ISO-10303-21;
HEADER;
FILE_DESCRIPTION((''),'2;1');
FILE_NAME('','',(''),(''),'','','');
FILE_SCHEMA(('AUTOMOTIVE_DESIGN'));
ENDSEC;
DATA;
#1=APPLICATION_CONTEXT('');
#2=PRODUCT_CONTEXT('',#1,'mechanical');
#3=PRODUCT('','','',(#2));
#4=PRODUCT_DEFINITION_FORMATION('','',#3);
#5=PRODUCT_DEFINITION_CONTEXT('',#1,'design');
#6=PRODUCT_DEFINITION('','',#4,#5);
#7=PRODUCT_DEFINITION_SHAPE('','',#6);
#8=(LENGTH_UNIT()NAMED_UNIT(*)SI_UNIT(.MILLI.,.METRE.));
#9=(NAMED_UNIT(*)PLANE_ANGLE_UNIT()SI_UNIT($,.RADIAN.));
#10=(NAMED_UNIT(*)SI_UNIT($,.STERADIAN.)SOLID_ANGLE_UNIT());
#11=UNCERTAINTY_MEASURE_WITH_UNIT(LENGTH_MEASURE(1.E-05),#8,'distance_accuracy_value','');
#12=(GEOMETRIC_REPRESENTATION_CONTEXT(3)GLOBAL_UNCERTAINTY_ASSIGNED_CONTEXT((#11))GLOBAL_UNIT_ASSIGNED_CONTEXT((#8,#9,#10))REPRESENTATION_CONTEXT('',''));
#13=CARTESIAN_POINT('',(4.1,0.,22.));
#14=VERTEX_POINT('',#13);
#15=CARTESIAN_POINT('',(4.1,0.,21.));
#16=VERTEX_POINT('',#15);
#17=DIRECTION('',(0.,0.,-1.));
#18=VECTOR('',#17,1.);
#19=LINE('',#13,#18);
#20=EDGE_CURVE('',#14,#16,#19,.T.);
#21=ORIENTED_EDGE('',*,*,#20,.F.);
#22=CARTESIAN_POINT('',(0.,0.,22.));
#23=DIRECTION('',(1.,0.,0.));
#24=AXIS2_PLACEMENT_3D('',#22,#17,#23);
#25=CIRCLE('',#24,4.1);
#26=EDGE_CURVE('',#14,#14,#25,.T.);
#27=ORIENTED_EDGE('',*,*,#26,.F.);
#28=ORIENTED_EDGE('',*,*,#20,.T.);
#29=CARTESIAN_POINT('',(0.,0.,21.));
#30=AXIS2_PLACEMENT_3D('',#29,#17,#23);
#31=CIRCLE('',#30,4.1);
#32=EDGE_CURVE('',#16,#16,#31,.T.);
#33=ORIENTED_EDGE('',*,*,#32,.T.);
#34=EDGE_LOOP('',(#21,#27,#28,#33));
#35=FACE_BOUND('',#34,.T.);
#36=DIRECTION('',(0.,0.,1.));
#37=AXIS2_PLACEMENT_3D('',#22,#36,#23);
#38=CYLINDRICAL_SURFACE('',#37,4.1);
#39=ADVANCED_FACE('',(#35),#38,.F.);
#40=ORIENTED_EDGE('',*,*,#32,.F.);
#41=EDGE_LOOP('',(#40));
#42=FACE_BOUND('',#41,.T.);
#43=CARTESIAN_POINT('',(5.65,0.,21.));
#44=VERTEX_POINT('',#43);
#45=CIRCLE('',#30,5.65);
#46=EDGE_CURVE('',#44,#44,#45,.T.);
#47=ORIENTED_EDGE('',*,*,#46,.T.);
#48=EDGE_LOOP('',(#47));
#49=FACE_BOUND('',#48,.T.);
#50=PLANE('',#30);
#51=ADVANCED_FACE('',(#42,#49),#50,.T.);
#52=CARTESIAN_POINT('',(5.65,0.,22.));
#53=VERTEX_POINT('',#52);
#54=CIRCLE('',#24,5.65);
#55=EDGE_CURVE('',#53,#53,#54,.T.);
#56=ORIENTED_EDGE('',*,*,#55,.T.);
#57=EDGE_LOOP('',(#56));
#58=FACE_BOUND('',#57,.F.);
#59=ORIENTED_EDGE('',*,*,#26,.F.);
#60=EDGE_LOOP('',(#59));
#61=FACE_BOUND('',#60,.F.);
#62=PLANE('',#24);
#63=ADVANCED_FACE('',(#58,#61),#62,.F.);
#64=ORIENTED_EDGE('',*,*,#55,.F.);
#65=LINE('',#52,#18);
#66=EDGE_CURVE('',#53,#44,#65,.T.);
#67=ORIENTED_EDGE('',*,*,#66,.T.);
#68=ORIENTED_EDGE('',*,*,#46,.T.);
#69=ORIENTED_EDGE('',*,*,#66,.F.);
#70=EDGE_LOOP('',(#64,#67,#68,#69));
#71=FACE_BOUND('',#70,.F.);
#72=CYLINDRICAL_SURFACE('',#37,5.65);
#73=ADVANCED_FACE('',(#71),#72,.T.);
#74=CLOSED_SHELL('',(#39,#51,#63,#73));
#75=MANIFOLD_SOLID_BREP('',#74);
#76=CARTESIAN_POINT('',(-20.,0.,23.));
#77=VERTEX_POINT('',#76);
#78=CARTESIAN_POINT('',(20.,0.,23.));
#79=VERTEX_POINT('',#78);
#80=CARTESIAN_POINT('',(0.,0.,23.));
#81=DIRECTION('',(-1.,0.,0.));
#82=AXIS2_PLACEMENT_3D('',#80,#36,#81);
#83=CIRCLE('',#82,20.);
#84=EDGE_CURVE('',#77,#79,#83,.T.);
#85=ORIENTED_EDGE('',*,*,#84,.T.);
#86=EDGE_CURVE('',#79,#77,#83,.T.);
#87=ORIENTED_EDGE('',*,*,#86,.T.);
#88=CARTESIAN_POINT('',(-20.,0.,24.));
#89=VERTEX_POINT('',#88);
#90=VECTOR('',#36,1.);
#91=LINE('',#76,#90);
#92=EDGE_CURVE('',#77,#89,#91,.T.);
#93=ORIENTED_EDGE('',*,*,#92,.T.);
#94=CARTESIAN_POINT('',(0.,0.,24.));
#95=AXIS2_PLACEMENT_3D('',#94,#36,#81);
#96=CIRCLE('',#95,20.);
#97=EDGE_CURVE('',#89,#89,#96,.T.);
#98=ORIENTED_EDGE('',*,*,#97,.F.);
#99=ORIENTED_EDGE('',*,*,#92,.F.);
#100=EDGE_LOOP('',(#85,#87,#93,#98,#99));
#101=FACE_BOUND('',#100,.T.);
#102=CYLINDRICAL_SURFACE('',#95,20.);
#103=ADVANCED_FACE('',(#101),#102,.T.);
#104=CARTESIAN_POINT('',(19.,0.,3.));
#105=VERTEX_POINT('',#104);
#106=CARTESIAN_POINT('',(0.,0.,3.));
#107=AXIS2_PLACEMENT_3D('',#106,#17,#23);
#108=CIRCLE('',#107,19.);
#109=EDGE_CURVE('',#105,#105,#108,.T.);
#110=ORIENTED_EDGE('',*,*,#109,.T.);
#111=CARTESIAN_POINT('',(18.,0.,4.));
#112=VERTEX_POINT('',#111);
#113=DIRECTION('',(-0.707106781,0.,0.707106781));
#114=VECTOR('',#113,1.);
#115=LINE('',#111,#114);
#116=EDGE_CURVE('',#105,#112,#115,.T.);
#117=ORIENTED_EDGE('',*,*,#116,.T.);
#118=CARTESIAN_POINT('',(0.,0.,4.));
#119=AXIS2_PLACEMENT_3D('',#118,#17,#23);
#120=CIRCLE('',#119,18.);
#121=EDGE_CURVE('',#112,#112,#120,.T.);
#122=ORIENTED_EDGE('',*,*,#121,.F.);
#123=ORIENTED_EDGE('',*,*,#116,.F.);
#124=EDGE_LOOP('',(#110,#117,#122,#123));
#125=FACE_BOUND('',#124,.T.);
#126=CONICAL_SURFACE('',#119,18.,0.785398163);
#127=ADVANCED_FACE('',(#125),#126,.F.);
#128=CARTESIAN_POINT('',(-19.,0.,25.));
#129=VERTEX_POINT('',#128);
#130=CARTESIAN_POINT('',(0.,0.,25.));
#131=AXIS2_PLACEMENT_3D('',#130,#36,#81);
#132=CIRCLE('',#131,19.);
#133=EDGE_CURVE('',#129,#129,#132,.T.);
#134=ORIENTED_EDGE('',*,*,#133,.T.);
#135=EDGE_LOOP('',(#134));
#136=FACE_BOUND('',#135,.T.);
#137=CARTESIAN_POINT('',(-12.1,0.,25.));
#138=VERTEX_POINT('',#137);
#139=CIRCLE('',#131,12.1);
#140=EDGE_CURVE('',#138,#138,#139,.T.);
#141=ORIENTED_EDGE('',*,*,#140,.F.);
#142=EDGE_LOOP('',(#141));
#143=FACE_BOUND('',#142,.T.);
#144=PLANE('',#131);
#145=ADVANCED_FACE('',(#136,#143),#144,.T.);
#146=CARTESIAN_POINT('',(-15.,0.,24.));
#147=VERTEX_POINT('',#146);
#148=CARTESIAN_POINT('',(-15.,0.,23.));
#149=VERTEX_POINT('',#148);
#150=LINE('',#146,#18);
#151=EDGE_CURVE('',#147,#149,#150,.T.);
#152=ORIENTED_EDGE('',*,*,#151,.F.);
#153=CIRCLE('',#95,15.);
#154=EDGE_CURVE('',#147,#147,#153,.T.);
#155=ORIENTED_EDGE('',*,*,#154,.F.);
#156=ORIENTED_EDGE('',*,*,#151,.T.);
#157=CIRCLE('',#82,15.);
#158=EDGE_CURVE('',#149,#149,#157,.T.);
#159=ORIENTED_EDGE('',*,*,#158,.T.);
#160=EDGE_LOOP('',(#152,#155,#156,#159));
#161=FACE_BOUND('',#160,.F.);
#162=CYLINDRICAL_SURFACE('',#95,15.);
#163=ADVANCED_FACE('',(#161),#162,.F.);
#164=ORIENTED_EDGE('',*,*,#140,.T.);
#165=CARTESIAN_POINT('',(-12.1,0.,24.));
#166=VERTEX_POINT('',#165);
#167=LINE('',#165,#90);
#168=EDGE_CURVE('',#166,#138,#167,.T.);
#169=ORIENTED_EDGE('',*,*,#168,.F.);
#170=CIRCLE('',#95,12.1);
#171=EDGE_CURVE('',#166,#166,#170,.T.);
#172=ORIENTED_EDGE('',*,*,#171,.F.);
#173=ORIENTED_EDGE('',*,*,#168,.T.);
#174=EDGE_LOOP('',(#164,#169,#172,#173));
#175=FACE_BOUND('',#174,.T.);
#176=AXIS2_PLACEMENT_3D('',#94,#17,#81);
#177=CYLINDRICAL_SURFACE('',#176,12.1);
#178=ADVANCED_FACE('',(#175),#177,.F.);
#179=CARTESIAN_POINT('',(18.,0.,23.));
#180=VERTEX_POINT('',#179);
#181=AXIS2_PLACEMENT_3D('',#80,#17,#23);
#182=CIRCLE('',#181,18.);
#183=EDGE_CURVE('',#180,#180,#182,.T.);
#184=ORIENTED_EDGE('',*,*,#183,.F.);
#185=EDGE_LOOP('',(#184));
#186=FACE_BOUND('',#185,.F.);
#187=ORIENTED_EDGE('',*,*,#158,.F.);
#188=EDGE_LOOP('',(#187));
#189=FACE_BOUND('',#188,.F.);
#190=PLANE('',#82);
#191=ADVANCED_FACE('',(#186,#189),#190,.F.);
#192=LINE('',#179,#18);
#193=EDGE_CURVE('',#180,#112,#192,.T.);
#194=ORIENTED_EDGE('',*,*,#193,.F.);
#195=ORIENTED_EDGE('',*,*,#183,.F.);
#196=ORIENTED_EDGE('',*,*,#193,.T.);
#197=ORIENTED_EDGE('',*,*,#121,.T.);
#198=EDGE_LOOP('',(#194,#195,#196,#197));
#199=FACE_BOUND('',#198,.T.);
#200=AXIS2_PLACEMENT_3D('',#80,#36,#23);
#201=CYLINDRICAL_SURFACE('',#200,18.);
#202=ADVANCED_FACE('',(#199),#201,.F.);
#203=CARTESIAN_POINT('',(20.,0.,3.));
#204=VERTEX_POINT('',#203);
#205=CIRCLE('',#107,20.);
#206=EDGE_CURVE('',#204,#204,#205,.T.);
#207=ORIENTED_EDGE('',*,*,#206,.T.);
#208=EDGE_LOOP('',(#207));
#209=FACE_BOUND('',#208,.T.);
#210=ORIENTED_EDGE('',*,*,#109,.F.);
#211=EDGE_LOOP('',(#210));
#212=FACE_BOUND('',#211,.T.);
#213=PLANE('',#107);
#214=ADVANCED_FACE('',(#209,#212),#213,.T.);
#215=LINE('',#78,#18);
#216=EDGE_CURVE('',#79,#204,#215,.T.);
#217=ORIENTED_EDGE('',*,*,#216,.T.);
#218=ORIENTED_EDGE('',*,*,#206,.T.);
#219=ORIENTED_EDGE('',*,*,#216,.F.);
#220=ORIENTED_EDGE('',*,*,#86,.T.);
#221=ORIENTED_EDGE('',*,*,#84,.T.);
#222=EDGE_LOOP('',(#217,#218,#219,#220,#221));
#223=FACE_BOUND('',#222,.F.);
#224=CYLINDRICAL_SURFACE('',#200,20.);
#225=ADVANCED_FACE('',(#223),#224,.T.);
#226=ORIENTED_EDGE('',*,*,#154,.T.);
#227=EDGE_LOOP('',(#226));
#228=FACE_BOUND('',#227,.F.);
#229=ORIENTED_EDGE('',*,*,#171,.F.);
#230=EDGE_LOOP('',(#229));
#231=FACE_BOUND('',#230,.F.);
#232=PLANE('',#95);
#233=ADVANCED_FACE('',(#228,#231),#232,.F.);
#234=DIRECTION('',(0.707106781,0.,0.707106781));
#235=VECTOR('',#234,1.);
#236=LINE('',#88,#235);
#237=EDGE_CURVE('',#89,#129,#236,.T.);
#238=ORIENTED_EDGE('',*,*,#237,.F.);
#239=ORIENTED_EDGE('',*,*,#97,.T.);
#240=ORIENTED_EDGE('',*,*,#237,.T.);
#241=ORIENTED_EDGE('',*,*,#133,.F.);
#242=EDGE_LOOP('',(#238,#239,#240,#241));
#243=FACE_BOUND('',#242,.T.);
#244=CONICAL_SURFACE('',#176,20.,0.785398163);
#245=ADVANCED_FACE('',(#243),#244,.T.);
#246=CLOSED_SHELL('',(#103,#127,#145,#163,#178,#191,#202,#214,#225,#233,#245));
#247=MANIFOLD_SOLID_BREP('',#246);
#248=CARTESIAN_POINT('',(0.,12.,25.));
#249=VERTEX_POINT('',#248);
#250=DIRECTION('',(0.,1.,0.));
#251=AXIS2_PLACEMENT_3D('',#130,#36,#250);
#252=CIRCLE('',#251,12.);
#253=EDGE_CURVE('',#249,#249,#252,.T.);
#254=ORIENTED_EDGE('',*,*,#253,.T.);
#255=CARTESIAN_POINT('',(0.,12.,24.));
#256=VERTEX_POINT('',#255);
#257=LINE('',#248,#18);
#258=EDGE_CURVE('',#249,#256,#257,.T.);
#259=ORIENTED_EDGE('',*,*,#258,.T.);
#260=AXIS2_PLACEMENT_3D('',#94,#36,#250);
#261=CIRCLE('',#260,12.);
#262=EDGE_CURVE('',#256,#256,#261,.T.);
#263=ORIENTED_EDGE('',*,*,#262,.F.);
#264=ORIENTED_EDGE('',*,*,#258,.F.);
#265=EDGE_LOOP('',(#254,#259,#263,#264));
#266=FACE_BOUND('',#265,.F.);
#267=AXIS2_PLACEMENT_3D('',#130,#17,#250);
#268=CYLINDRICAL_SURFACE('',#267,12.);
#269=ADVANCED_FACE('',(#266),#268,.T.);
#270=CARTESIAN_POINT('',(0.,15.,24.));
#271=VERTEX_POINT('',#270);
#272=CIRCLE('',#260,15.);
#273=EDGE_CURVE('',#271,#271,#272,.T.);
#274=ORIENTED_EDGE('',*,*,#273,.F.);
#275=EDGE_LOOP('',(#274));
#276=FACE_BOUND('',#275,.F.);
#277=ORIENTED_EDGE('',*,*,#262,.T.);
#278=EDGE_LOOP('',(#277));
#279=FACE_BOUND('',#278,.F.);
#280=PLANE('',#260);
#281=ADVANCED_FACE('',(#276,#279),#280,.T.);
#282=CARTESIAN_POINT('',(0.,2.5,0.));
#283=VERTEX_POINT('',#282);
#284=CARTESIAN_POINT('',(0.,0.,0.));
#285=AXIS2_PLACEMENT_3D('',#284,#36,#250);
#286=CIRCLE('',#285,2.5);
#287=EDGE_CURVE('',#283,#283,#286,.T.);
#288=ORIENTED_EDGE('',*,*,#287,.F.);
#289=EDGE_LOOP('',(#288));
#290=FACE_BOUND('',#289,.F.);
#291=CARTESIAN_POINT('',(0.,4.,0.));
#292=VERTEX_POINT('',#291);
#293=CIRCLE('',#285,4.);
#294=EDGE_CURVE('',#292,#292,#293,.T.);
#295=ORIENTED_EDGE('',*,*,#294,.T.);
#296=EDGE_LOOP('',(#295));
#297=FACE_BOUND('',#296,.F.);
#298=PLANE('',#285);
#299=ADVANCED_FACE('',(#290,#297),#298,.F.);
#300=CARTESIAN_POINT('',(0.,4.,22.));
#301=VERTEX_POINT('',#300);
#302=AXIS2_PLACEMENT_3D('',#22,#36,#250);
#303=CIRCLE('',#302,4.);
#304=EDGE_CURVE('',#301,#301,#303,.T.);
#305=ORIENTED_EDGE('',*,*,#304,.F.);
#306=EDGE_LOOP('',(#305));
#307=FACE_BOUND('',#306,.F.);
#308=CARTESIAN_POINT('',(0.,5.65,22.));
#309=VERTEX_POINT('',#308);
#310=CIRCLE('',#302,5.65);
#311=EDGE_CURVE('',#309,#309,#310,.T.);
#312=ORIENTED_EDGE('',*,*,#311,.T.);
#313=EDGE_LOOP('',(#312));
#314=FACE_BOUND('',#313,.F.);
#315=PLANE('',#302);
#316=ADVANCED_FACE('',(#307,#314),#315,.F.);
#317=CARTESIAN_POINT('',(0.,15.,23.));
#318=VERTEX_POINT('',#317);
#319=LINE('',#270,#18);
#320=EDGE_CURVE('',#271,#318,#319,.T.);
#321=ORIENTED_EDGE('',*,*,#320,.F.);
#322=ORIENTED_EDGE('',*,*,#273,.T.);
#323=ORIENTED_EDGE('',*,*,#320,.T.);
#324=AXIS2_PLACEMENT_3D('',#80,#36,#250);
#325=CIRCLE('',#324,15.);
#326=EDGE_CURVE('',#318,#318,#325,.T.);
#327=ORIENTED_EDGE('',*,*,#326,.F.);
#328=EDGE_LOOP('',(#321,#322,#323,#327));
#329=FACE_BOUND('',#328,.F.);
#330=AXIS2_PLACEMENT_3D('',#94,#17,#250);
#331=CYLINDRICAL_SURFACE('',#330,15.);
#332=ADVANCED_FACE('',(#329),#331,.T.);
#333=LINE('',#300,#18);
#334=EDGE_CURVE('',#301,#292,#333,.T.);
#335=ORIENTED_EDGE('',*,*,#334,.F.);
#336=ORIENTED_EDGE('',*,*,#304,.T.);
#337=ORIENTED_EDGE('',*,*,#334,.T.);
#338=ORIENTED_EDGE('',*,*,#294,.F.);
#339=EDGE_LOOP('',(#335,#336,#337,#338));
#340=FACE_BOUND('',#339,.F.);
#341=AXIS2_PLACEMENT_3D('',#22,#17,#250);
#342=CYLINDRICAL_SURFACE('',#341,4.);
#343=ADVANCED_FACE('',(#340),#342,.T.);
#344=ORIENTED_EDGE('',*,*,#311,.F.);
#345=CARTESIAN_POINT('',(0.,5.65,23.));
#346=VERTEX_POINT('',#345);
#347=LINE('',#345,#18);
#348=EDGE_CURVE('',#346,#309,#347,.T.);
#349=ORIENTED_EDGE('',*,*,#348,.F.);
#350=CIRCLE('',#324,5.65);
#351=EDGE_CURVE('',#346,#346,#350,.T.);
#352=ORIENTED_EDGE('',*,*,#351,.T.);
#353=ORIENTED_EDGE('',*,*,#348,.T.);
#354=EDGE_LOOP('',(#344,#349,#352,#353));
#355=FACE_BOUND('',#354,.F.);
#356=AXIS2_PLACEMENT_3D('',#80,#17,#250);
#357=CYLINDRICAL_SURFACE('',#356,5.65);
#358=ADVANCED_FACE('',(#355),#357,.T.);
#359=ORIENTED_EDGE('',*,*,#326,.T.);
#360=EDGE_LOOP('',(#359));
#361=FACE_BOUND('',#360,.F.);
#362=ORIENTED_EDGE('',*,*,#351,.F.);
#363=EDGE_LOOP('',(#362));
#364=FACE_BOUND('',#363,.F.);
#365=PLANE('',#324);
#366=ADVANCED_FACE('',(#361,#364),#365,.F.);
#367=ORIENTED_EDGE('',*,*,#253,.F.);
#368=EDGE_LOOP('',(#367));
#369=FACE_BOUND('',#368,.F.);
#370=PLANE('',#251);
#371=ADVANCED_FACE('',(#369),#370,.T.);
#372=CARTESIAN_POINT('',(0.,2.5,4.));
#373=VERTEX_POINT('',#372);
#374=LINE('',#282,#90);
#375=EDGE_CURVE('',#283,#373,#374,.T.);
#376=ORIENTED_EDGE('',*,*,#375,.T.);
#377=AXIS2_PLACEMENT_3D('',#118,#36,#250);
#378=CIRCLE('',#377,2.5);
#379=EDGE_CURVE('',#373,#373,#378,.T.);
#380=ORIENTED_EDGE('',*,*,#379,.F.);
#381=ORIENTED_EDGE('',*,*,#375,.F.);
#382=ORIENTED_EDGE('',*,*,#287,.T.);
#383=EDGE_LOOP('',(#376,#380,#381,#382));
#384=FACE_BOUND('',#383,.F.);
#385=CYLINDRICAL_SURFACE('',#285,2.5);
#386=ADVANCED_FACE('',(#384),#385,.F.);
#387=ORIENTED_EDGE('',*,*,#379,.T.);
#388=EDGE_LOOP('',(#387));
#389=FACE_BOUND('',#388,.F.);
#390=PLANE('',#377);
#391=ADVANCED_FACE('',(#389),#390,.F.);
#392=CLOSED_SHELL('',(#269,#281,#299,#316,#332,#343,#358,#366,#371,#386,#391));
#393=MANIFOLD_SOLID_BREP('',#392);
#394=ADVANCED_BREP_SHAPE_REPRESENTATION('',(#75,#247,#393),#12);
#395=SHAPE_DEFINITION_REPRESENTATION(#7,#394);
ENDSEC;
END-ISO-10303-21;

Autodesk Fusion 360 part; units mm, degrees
sketch "Skizze1" plane through (0, 0, 0) normal (0, 0, 1) x (1, 0, 0)
sketch "Skizze2" plane through (0, 0, 0) normal (1, 0, 0) x (0, 1, 0)
  line L0 (0, 4) -> (0, 25)
  line L1 (0, 25) -> (12, 25)
  line L2 (12, 25) -> (12, 24)
  line L3 (12, 24) -> (15, 24)
  line L4 (15, 24) -> (15, 23)
  line L5 (15, 23) -> (5.65, 23)
  line L6 (5.65, 23) -> (5.65, 22)
  line L7 (5.65, 22) -> (4, 22)
  line L8 (4, 22) -> (4, 0)
  line L9 (4, 0) -> (2.5, 0)
  line L10 (2.5, 0) -> (2.5, 4)
  line L11 (2.5, 4) -> (0, 4)
  dimension "d2" = 4
  dimension "d4" = 2.5
  dimension "d5" = 4
  dimension "d6" = 15
  dimension "d7" = 3
  dimension "d8" = 1
  dimension "d9" = 1.65
  dimension "d10" = 4
  dimension "d11" = 22
  dimension "d13" = 1
  dimension "d14" = 1
revolve "Drehen1" add sketch "Skizze2" angle 360 about axis through (0, 0, 1.75) along (0, 0, 1) makes body 1
sketch "Skizze3" plane through (0, 0, 24) normal (0, 0, 1) x (-1, 0, 0)
  circle A0 centre (0, 0) radius 12
  circle A1 centre (0, 0) radius 15
  circle A2 centre (0, 0) radius 12
  circle A3 centre (0, 0) radius 20
  circle A4 centre (0, 0) radius 12.1
  dimension "d15" = 40
  dimension "d16" = 0.1
extrude "Extrusion2" add sketch "Skizze3" along normal blind 1 separate body contours A1 | A3 makes body 2
sketch "Skizze4" plane through (0, 0, 24) normal (0, 0, 1) x (-1, 0, 0)
  circle A0 centre (0, 0) radius 15
  circle A1 centre (0, 0) radius 5.65
  circle A2 centre (0, 0) radius 15.1
  dimension "d21" = 0.1
extrude "Extrusion3" add sketch "Skizze3" against normal blind 1 contours A3 bodies 2
sketch "Skizze5" plane through (0, 0, 23) normal (0, 0, -1) x (1, 0, 0)
  circle A0 centre (0, 0) radius 15
  circle A1 centre (0, 0) radius 20
  circle A2 centre (0, 0) radius 18
  dimension "d24" = -2
extrude "Extrusion4" add sketch "Skizze5" along normal blind 20 contours A1 bodies 2
chamfer "Fase1" distance 1 angle 45 1 edges at (18.6465, 7.2323, 25) on bodies 2
chamfer "Fase2" distance 1 angle 45 1 edges at (-16.7819, -6.5091, 3) on bodies 2
sketch "Skizze6" plane through (0, 0, 22) normal (0, 0, -1) x (1, 0, 0)
  circle A0 centre (0, 0) radius 5.65
  circle A1 centre (0, 0) radius 4
  circle A2 centre (0, 0) radius 4.1
  dimension "d29" = 0.1
extrude "Extrusion5" add sketch "Skizze6" along normal blind 1 separate body contours A0 makes body 3
equation "d5 = d2"
